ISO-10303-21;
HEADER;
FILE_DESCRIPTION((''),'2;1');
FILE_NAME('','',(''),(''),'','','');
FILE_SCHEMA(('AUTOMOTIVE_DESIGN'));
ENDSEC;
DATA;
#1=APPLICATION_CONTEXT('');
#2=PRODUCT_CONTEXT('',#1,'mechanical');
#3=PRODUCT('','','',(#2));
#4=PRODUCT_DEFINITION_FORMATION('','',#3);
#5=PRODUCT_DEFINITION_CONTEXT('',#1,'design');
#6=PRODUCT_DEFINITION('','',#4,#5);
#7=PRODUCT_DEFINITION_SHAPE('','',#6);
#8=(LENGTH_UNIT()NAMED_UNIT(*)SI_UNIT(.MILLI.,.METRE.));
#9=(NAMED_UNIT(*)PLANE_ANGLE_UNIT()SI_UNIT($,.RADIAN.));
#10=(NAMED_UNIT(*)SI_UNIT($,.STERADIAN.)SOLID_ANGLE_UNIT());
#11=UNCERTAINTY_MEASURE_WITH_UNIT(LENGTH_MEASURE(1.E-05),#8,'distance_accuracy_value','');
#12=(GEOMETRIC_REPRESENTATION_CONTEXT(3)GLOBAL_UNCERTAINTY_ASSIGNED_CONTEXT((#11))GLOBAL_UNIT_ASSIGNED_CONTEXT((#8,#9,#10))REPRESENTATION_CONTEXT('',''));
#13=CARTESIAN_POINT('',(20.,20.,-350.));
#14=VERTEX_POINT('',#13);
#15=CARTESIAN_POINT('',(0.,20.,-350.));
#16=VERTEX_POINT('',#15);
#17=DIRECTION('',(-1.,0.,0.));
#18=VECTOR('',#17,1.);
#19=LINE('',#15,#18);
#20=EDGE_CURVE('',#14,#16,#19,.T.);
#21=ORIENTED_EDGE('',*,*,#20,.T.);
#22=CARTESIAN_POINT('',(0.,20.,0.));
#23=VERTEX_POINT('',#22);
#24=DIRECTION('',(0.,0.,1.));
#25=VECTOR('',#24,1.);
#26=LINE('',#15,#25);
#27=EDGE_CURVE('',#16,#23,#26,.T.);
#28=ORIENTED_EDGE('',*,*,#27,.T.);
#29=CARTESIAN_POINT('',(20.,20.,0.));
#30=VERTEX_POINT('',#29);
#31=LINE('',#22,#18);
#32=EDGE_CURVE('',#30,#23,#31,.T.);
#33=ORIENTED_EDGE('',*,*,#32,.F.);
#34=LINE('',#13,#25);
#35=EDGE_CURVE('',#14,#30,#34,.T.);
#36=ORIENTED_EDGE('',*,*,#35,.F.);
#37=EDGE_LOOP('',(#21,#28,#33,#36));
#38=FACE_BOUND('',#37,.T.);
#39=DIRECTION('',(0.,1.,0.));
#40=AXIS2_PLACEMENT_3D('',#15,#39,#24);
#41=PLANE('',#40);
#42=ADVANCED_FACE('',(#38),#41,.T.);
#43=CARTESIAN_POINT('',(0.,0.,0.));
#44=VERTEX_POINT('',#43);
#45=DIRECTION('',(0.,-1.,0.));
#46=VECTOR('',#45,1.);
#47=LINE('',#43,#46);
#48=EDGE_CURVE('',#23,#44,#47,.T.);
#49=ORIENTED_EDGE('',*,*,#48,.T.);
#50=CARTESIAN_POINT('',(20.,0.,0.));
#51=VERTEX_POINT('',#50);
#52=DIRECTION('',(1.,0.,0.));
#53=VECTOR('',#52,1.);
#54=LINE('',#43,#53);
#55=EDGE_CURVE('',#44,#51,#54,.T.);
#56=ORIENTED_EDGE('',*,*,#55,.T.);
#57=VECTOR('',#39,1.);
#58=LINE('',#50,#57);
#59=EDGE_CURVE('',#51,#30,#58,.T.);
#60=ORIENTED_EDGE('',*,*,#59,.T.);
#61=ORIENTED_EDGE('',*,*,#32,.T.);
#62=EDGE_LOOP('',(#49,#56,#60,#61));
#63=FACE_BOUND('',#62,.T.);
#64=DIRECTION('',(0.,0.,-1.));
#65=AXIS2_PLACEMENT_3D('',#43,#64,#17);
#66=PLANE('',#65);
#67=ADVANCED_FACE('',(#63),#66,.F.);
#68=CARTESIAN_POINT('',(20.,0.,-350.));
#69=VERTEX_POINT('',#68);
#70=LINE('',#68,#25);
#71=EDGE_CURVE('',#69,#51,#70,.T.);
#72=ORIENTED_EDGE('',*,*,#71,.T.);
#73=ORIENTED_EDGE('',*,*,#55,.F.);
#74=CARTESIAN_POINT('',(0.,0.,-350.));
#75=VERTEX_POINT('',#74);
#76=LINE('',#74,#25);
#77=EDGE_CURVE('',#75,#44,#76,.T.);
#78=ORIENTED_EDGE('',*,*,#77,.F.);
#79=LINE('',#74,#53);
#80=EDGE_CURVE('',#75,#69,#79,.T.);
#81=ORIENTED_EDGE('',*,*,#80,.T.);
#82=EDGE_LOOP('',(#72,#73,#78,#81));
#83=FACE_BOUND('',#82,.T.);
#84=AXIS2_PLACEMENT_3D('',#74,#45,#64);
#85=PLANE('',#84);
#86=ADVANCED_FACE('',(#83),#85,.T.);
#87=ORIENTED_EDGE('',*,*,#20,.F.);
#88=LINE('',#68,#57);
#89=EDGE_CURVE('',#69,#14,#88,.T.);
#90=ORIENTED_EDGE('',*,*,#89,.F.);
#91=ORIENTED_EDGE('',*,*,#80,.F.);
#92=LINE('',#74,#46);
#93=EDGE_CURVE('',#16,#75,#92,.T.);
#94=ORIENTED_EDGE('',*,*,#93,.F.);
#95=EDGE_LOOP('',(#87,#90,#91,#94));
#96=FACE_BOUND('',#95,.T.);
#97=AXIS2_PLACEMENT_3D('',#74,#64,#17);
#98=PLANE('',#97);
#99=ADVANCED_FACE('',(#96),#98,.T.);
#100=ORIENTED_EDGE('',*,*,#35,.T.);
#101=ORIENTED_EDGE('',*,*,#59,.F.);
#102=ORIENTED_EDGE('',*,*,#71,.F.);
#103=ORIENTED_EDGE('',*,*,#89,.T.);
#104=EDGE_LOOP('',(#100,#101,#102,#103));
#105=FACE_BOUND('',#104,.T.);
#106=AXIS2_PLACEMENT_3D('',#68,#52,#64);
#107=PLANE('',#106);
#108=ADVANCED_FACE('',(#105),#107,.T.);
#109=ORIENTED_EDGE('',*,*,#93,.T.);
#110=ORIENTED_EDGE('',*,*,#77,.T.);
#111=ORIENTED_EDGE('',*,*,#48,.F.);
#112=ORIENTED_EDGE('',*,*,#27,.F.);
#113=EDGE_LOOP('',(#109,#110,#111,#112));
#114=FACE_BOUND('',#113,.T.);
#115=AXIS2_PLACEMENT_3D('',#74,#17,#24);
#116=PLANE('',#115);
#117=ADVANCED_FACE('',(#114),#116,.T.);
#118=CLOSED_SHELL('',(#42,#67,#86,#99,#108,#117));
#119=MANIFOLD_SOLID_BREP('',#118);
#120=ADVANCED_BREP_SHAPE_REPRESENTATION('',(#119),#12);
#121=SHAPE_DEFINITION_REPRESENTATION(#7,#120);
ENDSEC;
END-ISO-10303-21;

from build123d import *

# Parameters (mm, degrees)
SZKIC1_W                    = 20
SZKIC1_H                    = 20
DODANIE_WYCI_GNI_CIE1_DEPTH = 350


with BuildPart() as part:
    # Szkic1 → Dodanie-wyciągnięcie1 (new body)
    with BuildSketch(Plane.XY):
        with Locations((10, 10)):
            Rectangle(SZKIC1_W, SZKIC1_H)
    extrude(amount=-DODANIE_WYCI_GNI_CIE1_DEPTH)


solid = part.part
